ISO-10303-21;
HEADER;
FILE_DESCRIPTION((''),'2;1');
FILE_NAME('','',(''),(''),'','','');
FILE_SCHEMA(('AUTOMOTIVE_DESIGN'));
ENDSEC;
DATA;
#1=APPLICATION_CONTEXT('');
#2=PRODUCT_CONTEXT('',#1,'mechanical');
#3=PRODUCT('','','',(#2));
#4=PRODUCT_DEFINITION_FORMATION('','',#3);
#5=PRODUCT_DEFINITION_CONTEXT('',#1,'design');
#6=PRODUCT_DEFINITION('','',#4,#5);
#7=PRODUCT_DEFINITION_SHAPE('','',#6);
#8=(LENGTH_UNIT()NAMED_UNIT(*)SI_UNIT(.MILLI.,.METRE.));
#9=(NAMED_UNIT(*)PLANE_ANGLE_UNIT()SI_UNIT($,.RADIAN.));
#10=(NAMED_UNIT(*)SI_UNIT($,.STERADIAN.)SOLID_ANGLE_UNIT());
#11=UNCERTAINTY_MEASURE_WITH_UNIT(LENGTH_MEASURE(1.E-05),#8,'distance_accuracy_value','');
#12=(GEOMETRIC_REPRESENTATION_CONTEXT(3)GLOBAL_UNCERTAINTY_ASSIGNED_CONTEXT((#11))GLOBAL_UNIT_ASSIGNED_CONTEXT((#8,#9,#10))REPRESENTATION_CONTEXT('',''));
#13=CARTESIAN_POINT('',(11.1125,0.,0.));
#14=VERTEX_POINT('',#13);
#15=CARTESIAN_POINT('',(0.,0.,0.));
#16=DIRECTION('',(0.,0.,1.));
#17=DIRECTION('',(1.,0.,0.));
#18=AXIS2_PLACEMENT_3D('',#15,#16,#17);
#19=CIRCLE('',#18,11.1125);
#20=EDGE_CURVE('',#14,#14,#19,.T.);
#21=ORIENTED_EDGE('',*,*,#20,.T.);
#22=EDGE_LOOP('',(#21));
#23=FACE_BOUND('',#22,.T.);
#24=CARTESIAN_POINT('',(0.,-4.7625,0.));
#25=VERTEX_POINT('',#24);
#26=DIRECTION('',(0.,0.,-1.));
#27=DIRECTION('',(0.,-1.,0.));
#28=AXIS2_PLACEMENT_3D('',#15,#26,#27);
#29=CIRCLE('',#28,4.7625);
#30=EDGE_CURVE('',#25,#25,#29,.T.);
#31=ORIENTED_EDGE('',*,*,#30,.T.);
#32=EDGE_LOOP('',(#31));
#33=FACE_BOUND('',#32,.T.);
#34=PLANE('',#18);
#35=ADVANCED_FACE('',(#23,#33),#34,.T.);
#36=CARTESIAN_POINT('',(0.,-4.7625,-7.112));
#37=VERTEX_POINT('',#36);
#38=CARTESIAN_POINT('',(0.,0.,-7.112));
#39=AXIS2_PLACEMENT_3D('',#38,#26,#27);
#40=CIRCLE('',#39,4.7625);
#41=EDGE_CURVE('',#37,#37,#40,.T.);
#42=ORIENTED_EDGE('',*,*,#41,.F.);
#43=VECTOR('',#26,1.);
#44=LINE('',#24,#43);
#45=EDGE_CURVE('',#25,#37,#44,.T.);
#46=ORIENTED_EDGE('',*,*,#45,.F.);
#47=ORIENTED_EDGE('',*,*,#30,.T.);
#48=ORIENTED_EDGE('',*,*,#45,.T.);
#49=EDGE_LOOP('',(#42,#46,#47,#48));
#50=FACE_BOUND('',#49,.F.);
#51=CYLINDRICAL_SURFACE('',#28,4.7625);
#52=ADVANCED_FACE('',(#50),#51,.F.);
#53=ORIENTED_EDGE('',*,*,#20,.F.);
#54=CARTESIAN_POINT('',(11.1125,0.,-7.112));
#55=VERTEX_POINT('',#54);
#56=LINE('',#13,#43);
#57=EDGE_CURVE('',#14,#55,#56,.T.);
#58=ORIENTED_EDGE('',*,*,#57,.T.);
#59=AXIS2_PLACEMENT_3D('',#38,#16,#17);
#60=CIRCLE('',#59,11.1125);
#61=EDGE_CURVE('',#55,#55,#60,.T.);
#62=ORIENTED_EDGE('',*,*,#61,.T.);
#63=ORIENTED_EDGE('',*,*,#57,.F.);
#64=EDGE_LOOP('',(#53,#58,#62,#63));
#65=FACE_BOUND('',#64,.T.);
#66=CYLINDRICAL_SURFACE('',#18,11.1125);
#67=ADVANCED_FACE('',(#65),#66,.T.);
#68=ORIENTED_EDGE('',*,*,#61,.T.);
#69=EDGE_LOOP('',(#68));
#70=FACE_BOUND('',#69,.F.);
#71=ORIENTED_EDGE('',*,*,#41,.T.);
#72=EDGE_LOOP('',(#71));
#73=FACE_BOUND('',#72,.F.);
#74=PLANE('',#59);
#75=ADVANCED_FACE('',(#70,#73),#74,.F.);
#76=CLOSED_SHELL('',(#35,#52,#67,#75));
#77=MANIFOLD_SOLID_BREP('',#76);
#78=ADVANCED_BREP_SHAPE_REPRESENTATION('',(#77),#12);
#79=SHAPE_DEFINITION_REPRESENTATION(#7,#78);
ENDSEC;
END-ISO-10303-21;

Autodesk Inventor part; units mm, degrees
ref_plane "YZ Plane" through (0, 0, 0) normal (1, 0, 0) x (0, 1, 0)
ref_plane "XZ Plane" through (0, 0, 0) normal (0, 1, 0) x (-1, 0, 0)
ref_plane "XY Plane" through (0, 0, 0) normal (0, 0, 1) x (1, 0, 0)
sketch "Sketch1" plane through (0, 0, 0) normal (0, 0, 1) x (1, 0, 0)
  circle A0 centre (0, 0) radius 11.1125
  dimension "d1" = 22.225
extrude "Extrusion1" add sketch "Sketch1" against normal blind 7.112
hole "Hole1" at (0, 0, 0) direction (0, 0, -1) diameter 9.525 end through all
properties part number "FR6ZZ Bearing_smart" material "Stainless Steel"
